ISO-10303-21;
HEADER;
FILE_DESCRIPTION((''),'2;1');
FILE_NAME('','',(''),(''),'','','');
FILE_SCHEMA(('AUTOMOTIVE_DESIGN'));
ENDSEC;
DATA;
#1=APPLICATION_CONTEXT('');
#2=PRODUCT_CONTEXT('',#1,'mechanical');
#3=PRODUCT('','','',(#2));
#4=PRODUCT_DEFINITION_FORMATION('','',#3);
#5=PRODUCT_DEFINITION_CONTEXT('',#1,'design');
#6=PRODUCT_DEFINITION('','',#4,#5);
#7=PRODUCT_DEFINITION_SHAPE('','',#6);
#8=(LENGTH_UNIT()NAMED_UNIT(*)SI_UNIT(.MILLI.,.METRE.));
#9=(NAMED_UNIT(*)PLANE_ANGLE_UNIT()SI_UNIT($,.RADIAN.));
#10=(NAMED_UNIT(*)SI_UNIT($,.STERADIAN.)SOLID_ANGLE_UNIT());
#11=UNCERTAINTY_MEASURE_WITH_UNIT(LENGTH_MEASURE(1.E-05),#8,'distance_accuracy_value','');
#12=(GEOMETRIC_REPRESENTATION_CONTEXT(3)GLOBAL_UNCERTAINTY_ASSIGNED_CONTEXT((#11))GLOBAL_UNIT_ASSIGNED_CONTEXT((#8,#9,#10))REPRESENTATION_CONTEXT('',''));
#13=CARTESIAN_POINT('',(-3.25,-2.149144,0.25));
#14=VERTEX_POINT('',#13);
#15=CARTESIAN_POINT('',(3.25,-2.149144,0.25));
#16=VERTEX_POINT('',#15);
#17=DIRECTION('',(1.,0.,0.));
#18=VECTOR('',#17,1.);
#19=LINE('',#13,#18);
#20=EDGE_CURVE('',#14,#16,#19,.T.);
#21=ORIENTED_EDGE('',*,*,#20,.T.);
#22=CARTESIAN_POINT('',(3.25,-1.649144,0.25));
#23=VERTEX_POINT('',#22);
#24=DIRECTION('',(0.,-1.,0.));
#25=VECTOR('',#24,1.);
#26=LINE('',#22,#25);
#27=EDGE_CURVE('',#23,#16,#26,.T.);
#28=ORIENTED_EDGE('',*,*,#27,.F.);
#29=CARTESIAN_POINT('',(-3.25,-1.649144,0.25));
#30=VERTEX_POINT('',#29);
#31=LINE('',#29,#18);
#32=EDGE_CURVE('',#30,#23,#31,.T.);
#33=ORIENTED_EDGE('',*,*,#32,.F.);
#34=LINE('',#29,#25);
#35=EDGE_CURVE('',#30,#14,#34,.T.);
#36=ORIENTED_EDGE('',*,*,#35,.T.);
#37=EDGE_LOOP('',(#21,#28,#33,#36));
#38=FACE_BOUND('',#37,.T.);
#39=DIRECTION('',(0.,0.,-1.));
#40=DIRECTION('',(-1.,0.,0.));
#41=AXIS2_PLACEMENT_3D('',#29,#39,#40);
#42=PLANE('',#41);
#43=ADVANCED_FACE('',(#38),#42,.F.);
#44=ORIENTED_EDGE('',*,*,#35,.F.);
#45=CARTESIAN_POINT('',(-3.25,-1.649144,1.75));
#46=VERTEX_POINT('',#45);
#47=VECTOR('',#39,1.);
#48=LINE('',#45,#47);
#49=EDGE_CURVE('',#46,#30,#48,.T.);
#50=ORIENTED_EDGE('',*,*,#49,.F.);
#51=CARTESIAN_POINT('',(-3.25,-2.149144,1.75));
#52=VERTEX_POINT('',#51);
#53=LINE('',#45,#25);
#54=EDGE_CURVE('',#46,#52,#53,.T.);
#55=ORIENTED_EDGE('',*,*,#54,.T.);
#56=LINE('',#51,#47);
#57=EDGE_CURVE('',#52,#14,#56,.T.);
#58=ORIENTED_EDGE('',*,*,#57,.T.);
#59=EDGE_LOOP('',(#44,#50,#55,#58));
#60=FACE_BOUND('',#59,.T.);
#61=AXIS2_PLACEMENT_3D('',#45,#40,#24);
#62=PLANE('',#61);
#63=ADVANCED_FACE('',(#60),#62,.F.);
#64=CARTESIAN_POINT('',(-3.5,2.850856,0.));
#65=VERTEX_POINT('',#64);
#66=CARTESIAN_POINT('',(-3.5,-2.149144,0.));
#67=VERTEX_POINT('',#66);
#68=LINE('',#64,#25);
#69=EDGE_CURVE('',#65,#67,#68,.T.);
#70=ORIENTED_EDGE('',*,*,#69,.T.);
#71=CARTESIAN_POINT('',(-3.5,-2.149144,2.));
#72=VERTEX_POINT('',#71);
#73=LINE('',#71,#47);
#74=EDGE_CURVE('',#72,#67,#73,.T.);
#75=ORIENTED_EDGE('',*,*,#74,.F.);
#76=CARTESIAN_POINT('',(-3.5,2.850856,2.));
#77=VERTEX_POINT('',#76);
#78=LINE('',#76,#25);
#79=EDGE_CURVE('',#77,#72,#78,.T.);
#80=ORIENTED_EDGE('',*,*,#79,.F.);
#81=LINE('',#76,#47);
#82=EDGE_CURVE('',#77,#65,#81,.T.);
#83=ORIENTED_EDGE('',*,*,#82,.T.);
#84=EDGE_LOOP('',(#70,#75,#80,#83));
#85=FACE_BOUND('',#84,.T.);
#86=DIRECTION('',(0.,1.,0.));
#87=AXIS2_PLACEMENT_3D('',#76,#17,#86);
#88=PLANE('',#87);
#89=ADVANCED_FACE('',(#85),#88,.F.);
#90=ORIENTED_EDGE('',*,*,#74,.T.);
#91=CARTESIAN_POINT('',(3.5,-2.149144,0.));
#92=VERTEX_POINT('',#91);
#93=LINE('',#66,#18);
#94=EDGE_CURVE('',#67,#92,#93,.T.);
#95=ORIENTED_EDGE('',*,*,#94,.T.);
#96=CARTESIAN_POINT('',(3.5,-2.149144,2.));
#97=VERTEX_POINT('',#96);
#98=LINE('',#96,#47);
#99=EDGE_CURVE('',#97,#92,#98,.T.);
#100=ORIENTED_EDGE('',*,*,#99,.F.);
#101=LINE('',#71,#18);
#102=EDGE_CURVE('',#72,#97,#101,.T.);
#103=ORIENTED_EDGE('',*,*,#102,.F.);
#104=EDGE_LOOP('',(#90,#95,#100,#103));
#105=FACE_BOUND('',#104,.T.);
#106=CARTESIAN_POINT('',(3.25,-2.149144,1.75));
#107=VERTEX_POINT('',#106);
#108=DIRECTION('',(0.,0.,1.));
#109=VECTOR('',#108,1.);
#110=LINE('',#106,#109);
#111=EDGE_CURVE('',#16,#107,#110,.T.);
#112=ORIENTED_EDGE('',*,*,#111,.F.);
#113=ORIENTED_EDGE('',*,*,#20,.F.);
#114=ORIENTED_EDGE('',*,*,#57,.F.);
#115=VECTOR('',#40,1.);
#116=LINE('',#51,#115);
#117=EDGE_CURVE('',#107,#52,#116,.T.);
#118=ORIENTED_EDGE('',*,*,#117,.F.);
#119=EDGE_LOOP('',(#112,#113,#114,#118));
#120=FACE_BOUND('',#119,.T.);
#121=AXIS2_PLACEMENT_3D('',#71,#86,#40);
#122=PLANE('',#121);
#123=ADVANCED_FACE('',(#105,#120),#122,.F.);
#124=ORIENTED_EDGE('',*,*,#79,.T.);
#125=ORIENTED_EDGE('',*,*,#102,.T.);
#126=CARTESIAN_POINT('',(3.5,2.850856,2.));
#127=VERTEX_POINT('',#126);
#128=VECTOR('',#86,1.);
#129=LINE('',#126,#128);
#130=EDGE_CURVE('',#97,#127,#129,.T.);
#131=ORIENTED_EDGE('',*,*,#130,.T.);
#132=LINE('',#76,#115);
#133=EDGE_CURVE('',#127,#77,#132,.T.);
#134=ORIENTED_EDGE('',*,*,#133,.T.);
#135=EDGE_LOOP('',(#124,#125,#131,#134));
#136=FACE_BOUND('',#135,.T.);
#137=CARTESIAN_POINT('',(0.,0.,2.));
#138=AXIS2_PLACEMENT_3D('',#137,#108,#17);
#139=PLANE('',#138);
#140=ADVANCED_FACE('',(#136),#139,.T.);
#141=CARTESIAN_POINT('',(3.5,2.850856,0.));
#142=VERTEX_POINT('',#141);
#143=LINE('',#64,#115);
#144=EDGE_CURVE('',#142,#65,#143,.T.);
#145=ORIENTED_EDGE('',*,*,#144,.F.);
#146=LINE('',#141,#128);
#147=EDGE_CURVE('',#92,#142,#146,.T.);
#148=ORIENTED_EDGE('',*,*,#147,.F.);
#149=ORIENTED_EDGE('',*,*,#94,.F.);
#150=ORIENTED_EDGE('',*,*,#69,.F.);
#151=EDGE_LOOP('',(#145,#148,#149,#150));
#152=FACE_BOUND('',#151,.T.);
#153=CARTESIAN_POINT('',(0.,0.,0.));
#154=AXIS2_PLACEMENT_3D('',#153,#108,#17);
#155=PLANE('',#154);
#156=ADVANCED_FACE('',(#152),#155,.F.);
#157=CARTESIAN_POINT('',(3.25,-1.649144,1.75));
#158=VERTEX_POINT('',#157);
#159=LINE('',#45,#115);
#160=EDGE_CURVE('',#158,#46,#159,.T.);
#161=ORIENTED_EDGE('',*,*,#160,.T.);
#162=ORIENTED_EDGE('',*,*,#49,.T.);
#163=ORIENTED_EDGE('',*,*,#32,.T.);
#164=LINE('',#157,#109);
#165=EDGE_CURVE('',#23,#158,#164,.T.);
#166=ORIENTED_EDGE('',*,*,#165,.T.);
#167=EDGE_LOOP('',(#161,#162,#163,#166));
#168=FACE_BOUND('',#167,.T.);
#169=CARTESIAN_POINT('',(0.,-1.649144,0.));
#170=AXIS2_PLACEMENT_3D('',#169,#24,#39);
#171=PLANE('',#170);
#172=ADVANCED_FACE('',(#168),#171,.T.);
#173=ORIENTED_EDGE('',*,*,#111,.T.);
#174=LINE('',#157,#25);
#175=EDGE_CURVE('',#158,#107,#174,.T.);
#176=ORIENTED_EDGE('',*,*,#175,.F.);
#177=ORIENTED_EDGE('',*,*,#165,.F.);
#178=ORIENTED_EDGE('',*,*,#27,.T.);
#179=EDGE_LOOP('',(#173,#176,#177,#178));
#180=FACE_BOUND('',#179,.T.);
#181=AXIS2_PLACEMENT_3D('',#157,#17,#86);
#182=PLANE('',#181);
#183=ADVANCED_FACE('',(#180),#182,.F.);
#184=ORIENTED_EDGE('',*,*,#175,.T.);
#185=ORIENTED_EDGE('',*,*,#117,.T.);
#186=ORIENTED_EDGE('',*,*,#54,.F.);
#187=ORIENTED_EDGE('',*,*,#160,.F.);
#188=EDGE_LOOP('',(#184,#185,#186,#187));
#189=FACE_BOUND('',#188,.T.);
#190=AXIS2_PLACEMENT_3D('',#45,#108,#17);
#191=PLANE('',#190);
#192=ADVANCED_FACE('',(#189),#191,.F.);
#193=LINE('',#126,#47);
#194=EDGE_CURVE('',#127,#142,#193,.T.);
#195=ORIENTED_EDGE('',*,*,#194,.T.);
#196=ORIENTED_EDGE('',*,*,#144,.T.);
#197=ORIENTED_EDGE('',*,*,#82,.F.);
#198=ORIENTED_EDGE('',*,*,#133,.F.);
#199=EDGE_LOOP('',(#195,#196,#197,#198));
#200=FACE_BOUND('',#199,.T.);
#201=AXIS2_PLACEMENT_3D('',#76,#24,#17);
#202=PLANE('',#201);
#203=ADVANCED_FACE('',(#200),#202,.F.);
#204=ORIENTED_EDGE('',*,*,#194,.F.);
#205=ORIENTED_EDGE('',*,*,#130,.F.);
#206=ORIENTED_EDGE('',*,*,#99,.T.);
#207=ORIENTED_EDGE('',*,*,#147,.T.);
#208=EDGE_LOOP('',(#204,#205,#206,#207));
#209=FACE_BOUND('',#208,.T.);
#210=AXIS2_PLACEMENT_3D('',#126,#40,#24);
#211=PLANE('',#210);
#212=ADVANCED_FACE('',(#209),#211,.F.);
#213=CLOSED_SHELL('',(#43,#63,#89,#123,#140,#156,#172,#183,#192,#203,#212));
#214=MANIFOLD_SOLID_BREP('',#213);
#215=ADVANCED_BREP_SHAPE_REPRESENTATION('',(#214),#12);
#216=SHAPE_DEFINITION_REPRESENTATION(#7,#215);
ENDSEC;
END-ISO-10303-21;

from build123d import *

# Parameters (mm, degrees)
SKETCH2_W           = 7
SKETCH2_H           = 5
BOSS_EXTRUDE1_DEPTH = 2
SKETCH3_W           = 6.5
SKETCH3_H           = 1.5
CUT_EXTRUDE1_DEPTH  = 0.5


with BuildPart() as part:
    # Sketch2 → Boss-Extrude1 (new body)
    with BuildSketch(Plane.XY):
        with Locations((0, 0.3508563)):
            Rectangle(SKETCH2_W, SKETCH2_H)
    extrude(amount=BOSS_EXTRUDE1_DEPTH)

    # Sketch3 → Cut-Extrude1 (cut)
    with BuildSketch(Plane.XZ.offset(2.1491437)):
        with Locations((0, 1)):
            Rectangle(SKETCH3_W, SKETCH3_H)
    extrude(amount=-CUT_EXTRUDE1_DEPTH, mode=Mode.SUBTRACT)


solid = part.part
